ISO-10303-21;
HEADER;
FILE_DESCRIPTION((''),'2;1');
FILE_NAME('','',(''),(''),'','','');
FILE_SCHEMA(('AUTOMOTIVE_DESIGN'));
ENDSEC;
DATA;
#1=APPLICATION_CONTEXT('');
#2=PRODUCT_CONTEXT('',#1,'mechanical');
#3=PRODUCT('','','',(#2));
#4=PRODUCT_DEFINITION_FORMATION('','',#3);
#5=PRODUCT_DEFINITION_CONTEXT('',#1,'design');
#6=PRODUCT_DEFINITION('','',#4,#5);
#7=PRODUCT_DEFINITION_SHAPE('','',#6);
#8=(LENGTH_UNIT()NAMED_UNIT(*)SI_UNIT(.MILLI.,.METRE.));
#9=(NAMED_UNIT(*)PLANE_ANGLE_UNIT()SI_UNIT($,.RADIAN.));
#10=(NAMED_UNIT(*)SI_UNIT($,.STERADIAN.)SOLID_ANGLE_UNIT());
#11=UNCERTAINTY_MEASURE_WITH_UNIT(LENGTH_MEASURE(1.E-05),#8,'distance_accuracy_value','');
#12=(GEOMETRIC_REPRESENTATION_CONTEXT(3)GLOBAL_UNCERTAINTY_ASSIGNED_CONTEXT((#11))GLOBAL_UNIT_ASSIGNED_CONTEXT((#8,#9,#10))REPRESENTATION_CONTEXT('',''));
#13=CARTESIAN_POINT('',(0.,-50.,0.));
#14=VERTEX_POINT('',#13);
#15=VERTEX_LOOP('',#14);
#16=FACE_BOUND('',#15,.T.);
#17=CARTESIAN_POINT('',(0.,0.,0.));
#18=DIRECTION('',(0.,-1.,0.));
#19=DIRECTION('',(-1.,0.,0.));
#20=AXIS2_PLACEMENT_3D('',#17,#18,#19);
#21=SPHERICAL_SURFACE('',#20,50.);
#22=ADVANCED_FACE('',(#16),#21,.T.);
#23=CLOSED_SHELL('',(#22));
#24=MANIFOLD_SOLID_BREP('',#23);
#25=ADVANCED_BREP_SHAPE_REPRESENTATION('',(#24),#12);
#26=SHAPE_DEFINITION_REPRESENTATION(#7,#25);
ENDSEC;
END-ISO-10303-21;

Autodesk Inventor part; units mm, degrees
ref_plane "YZ Plane" through (0, 0, 0) normal (1, 0, 0) x (0, 1, 0)
ref_plane "XZ Plane" through (0, 0, 0) normal (0, 1, 0) x (-1, 0, 0)
ref_plane "XY Plane" through (0, 0, 0) normal (0, 0, 1) x (1, 0, 0)
sketch "Sketch1" plane through (0, 0, 0) normal (0, 0, 1) x (1, 0, 0)
  circle A0 centre (0, 0) radius 50
  line L0 (0, 50) -> (0, -50)
  dimension "d0" = 100
revolve "Revolution1" add sketch "Sketch1" angle 360 about axis through (0, 50, 0) along (0, -1, 0) picked at (-20.2359, 10.5282) contours L0 A0
properties part number "Ball"
